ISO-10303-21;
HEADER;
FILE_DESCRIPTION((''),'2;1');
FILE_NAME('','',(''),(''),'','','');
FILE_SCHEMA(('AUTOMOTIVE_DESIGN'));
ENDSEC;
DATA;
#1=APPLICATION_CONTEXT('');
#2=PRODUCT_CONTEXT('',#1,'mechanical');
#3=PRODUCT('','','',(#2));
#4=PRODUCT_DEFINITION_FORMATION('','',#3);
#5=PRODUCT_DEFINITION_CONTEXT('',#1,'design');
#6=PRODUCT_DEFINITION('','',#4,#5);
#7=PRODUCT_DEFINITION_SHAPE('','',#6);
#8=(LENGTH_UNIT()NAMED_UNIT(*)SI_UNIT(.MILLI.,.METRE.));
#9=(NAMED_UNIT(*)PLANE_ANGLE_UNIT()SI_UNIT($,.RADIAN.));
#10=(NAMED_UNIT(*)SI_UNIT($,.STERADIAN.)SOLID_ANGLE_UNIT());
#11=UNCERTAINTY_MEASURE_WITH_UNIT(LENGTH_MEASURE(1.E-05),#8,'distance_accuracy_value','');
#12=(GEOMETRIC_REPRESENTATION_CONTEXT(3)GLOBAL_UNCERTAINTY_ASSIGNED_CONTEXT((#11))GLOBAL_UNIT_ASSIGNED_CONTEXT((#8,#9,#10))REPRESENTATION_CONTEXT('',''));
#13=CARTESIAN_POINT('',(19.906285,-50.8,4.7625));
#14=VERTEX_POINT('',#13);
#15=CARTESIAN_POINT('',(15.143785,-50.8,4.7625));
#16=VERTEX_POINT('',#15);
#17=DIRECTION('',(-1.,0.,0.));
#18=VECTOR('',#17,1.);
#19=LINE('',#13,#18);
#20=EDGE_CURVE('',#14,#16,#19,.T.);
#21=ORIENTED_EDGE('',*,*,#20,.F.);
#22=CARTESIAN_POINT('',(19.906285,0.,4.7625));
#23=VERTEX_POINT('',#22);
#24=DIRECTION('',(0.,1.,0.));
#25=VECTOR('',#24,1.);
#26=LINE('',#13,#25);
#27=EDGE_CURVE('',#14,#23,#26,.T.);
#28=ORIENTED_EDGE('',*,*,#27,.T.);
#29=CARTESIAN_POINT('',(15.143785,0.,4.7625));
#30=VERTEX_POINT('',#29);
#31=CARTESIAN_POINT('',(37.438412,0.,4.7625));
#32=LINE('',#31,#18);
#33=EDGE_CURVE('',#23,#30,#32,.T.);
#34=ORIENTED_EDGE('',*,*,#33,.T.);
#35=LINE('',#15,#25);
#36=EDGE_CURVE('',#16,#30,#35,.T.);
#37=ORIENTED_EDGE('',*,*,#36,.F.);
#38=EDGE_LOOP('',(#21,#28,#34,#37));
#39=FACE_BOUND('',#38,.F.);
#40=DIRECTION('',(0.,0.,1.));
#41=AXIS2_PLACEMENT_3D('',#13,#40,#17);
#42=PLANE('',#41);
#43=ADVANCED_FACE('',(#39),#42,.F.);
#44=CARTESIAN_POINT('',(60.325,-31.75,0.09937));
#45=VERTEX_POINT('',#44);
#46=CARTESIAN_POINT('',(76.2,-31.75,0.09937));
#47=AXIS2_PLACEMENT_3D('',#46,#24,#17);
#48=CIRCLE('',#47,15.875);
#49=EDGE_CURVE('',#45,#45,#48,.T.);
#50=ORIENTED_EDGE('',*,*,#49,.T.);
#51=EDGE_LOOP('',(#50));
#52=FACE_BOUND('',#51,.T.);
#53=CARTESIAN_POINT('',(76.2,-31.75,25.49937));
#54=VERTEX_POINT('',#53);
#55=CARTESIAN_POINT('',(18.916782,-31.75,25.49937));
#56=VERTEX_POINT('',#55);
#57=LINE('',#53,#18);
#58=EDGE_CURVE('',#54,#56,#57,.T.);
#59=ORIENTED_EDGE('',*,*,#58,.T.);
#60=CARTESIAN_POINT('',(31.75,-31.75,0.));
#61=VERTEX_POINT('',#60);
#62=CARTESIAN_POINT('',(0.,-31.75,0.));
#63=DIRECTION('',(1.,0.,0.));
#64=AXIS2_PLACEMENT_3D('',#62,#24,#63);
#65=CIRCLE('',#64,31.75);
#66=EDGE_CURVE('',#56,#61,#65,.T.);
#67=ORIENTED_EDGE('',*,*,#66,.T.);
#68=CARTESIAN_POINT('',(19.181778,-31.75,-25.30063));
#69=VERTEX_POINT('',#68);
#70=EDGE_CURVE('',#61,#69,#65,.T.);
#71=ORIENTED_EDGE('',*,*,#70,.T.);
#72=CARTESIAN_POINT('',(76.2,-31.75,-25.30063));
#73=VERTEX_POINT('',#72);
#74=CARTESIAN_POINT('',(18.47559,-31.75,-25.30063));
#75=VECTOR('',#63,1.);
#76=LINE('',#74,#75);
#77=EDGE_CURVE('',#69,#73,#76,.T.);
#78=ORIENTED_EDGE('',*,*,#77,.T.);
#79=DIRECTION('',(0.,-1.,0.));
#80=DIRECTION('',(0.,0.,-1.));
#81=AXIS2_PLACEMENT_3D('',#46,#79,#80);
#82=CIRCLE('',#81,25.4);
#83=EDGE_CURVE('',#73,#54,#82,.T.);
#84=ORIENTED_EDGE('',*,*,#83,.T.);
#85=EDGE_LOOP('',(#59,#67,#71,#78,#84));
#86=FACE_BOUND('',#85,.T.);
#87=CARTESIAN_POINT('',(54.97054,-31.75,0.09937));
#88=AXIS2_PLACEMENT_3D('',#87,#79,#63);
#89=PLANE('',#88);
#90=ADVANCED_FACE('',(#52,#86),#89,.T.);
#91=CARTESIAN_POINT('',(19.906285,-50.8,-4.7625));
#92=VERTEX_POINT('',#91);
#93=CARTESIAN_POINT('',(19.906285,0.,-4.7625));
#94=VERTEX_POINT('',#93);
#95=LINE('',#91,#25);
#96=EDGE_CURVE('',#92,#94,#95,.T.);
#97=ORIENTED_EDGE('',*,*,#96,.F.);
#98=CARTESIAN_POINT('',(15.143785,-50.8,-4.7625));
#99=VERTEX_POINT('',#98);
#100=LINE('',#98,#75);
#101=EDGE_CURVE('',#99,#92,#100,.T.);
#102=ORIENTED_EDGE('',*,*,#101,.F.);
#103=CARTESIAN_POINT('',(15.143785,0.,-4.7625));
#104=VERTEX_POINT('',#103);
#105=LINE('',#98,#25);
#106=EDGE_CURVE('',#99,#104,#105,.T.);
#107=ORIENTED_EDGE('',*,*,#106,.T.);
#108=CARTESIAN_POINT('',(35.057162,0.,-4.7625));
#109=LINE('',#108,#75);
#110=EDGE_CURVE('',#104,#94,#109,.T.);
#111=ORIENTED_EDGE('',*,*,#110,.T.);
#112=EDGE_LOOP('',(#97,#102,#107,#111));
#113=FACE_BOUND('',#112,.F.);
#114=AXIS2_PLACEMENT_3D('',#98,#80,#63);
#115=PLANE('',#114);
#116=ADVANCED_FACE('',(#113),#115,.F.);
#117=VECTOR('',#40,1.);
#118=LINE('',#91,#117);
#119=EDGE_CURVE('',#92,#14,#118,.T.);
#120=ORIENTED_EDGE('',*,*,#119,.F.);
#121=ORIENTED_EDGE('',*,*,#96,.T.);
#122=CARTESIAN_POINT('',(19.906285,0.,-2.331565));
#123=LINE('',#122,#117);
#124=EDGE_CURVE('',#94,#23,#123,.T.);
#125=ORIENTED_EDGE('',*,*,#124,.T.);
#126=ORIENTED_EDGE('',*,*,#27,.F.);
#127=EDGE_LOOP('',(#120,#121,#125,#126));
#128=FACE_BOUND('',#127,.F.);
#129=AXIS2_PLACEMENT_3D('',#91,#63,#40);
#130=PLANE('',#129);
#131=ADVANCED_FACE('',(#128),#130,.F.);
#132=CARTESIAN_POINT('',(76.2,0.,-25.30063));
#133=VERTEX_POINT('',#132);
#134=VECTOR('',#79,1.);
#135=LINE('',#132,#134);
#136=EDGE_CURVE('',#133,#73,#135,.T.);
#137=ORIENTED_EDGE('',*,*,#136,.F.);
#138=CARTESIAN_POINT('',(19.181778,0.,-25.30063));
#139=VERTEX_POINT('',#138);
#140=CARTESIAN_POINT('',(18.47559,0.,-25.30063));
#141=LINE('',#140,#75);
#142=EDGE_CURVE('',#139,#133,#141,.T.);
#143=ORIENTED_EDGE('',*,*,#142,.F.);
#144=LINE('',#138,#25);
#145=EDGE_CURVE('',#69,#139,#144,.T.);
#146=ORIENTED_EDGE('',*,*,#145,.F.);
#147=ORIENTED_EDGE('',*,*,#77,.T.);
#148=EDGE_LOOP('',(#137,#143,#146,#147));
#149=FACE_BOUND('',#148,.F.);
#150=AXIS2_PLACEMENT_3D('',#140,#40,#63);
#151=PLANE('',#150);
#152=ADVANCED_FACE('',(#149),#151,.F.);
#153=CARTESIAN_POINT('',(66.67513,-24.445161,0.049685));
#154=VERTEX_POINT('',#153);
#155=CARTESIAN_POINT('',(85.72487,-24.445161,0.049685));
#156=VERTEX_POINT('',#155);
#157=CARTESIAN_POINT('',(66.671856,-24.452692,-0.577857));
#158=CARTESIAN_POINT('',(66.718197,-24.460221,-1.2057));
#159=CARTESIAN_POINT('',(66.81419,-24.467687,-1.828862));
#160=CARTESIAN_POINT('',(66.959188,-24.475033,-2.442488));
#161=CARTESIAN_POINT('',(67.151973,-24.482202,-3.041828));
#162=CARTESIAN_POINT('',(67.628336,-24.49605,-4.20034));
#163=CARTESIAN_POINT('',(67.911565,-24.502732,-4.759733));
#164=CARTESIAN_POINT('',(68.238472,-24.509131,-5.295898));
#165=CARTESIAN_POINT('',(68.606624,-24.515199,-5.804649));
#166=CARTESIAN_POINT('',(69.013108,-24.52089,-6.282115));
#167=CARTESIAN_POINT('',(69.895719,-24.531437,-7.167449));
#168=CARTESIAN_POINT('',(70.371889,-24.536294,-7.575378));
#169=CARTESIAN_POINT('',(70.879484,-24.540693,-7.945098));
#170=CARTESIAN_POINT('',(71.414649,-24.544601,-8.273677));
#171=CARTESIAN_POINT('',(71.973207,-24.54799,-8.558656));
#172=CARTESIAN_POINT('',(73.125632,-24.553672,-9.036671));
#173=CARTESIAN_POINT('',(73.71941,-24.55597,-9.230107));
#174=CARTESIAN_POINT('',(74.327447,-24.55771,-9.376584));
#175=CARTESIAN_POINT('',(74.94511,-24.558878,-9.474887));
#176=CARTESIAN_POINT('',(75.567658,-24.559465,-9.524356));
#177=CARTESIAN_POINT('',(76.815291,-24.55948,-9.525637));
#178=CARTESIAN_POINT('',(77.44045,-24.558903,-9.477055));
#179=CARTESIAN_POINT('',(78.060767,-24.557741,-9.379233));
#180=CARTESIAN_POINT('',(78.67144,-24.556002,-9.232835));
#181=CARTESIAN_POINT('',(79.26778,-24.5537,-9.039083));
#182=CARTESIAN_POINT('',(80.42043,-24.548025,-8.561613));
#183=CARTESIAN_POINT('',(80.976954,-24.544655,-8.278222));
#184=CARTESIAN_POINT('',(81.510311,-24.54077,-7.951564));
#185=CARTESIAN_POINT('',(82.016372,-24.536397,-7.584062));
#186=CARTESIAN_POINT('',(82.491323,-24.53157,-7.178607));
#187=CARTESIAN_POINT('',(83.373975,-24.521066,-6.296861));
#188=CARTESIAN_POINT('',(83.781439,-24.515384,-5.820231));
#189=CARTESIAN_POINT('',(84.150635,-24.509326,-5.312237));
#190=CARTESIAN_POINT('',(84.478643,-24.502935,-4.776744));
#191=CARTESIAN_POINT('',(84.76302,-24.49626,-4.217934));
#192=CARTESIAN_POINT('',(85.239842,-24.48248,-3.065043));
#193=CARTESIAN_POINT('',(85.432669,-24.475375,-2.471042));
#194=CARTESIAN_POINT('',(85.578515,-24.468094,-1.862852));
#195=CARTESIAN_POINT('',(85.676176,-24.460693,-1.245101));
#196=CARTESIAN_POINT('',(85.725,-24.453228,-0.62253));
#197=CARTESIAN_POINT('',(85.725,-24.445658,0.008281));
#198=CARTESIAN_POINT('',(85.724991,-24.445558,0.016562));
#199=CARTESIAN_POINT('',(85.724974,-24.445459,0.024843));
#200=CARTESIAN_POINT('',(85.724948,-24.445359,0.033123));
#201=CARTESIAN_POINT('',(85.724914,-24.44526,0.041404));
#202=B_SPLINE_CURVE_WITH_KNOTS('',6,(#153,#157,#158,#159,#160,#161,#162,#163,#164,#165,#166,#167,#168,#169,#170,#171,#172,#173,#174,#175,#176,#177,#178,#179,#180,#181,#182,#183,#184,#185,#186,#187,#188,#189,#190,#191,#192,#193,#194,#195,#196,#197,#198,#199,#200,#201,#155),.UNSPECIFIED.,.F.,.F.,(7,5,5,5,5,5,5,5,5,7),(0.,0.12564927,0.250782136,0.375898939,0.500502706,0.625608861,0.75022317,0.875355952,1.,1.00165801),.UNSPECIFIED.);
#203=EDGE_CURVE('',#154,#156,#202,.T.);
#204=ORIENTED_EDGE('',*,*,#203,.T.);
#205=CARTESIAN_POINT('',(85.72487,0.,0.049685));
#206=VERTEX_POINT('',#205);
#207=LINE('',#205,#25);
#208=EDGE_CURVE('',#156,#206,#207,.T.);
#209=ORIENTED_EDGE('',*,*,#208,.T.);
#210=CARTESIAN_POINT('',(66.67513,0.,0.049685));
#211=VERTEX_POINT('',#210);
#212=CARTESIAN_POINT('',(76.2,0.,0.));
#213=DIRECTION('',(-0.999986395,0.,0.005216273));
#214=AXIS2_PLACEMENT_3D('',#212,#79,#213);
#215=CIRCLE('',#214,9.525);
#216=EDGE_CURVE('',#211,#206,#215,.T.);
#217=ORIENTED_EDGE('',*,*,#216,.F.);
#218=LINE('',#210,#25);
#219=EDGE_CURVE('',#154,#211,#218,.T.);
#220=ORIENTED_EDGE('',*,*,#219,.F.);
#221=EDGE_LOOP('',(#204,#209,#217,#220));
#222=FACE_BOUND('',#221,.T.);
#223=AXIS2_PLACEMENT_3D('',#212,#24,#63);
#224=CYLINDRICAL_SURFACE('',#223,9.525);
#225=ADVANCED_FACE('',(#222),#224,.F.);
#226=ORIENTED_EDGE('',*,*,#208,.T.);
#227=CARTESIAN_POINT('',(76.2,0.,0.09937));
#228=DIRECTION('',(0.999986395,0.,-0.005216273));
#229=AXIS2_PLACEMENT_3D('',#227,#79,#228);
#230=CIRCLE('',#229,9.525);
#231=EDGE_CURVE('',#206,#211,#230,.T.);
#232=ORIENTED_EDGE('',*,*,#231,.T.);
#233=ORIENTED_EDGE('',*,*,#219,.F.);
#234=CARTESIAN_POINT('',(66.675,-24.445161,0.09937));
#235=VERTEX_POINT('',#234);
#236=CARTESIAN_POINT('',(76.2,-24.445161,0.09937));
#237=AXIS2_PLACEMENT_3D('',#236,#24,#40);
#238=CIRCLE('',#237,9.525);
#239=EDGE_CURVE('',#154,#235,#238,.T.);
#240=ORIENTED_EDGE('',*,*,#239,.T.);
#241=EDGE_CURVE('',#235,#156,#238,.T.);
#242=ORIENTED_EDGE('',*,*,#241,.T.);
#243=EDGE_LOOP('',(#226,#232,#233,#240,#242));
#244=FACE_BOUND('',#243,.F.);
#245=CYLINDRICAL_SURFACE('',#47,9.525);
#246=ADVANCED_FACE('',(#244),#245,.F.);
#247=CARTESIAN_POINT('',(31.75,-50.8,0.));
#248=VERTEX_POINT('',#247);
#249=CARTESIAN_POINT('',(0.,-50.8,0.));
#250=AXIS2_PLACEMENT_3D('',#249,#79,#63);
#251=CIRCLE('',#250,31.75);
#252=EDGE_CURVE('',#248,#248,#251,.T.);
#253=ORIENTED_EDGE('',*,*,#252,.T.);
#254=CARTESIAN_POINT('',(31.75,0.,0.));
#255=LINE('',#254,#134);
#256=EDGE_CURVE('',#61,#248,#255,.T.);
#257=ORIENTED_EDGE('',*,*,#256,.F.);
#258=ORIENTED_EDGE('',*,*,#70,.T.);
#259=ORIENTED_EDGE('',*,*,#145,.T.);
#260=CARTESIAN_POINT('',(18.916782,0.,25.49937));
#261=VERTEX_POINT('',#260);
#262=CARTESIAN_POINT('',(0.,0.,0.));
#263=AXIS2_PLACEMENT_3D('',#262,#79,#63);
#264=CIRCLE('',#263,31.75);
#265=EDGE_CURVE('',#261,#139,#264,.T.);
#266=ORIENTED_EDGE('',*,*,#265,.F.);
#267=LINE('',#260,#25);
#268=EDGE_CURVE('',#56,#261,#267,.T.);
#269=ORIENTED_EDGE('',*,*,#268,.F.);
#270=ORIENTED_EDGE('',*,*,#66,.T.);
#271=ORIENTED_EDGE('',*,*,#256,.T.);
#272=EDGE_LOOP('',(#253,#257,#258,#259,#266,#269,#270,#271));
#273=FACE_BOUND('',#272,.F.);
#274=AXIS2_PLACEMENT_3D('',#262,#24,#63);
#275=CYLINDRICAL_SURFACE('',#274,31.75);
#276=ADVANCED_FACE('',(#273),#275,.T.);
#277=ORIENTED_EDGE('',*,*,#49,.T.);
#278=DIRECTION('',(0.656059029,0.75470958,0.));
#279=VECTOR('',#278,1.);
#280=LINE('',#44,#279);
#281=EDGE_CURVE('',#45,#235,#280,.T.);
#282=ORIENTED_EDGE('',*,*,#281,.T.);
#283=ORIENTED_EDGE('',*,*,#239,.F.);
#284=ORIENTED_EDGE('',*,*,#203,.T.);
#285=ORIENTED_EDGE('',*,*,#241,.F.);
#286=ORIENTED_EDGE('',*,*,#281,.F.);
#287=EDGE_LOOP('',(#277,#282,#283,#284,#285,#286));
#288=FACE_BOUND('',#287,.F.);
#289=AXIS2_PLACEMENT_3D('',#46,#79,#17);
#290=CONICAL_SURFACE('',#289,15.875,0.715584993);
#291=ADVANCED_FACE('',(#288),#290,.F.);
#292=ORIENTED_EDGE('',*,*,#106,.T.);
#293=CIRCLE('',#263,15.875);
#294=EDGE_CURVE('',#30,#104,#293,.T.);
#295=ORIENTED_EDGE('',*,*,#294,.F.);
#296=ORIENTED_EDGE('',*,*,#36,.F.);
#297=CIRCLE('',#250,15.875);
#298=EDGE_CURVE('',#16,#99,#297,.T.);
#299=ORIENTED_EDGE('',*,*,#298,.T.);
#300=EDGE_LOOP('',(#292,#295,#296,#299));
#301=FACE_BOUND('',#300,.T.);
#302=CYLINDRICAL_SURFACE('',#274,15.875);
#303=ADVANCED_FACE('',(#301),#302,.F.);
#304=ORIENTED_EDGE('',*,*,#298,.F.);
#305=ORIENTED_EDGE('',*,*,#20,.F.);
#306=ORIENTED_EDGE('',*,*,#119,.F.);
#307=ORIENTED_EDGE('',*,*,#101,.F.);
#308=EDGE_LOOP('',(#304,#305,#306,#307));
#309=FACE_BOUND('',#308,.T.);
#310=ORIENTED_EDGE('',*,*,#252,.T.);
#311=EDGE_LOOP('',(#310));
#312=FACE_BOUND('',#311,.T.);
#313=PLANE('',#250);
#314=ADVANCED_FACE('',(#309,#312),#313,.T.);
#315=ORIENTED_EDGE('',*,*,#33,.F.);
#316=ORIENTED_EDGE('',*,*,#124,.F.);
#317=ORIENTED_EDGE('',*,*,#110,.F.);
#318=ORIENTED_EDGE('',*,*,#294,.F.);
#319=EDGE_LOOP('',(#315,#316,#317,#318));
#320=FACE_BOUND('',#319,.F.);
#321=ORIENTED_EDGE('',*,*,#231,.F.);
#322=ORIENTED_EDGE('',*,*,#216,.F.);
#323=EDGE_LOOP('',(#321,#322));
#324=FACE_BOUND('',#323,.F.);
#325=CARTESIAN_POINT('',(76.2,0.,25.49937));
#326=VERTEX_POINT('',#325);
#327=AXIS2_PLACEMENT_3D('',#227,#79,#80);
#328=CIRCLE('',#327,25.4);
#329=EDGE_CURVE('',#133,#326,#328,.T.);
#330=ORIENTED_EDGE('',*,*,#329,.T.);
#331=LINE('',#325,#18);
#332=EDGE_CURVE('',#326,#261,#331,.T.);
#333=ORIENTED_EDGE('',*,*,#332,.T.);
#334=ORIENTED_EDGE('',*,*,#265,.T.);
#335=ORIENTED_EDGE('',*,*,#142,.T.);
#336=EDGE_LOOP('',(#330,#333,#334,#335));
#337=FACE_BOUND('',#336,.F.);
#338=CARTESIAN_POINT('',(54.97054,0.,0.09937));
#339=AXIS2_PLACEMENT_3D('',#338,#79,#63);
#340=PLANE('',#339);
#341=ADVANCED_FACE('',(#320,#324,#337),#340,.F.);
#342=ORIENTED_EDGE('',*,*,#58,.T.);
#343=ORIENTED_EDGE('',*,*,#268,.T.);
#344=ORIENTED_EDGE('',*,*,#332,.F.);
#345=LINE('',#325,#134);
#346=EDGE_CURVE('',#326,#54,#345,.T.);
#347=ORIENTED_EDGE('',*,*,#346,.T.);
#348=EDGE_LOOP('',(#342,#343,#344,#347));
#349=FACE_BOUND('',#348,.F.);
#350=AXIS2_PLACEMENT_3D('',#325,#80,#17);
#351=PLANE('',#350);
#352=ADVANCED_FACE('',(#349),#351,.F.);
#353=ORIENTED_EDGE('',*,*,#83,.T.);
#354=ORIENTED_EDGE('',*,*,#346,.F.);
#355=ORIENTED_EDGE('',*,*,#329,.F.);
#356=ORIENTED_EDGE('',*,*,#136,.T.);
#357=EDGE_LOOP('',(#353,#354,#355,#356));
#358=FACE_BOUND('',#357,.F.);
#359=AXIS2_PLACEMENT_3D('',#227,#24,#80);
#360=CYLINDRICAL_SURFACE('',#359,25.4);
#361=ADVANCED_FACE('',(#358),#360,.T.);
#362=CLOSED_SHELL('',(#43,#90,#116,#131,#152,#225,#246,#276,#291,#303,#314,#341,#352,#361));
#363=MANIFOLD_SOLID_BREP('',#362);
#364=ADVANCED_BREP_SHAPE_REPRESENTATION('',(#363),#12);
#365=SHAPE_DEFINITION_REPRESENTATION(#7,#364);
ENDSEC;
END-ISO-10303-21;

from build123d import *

# Parameters (mm, degrees)
F0_R           = 31.75
F0_R_2         = 15.875
F1_DEPTH       = 50.8
F2_R           = 9.525
F3_DEPTH       = 31.75
F5_D           = 19.05
F5_CSINK_D     = 31.75
F5_CSINK_ANGLE = 82
F7_DEPTH       = 76.2


with BuildPart() as f1:
    # F0 (on Front) → F1 (new body)
    with BuildSketch(Plane.XZ):
        Circle(F0_R)
        Circle(F0_R_2, mode=Mode.SUBTRACT)
    extrude(amount=F1_DEPTH)

    # F2 (on Front) → F3 (join)
    with BuildSketch(Plane.XZ):
        with BuildLine():
            Line((76.2, 25.49937), (18.47559, 25.49937))
            Line((18.47559, 25.49937), (18.47559, -25.30063))
            Line((18.47559, -25.30063), (76.2, -25.30063))
            ThreePointArc((76.2, -25.30063), (101.6, 0.09937), (76.2, 25.49937))
        make_face()
        with Locations((76.2, 0)):
            Circle(F2_R, mode=Mode.SUBTRACT)
    extrude(amount=F3_DEPTH)

    # F5 (through all)
    with Locations(Plane.XZ.offset(31.75)):
        with Locations((76.2, 0.09937)):
            CounterSinkHole(F5_D / 2, F5_CSINK_D / 2, counter_sink_angle=F5_CSINK_ANGLE)

    # F6 (on face) → F7 (cut)
    with BuildSketch(Plane.XZ.offset(50.8)):
        with BuildLine():
            ThreePointArc((15.875, 0), (15.691131, -2.409153), (15.143785, -4.7625))
            Line((15.143785, -4.7625), (19.906285, -4.7625))
            Line((19.906285, -4.7625), (19.906285, 4.7625))
            Line((19.906285, 4.7625), (15.143785, 4.7625))
            ThreePointArc((15.143785, 4.7625), (15.691131, 2.409153), (15.875, 0))
        make_face()
    extrude(amount=-F7_DEPTH, mode=Mode.SUBTRACT)


solid = f1.part
